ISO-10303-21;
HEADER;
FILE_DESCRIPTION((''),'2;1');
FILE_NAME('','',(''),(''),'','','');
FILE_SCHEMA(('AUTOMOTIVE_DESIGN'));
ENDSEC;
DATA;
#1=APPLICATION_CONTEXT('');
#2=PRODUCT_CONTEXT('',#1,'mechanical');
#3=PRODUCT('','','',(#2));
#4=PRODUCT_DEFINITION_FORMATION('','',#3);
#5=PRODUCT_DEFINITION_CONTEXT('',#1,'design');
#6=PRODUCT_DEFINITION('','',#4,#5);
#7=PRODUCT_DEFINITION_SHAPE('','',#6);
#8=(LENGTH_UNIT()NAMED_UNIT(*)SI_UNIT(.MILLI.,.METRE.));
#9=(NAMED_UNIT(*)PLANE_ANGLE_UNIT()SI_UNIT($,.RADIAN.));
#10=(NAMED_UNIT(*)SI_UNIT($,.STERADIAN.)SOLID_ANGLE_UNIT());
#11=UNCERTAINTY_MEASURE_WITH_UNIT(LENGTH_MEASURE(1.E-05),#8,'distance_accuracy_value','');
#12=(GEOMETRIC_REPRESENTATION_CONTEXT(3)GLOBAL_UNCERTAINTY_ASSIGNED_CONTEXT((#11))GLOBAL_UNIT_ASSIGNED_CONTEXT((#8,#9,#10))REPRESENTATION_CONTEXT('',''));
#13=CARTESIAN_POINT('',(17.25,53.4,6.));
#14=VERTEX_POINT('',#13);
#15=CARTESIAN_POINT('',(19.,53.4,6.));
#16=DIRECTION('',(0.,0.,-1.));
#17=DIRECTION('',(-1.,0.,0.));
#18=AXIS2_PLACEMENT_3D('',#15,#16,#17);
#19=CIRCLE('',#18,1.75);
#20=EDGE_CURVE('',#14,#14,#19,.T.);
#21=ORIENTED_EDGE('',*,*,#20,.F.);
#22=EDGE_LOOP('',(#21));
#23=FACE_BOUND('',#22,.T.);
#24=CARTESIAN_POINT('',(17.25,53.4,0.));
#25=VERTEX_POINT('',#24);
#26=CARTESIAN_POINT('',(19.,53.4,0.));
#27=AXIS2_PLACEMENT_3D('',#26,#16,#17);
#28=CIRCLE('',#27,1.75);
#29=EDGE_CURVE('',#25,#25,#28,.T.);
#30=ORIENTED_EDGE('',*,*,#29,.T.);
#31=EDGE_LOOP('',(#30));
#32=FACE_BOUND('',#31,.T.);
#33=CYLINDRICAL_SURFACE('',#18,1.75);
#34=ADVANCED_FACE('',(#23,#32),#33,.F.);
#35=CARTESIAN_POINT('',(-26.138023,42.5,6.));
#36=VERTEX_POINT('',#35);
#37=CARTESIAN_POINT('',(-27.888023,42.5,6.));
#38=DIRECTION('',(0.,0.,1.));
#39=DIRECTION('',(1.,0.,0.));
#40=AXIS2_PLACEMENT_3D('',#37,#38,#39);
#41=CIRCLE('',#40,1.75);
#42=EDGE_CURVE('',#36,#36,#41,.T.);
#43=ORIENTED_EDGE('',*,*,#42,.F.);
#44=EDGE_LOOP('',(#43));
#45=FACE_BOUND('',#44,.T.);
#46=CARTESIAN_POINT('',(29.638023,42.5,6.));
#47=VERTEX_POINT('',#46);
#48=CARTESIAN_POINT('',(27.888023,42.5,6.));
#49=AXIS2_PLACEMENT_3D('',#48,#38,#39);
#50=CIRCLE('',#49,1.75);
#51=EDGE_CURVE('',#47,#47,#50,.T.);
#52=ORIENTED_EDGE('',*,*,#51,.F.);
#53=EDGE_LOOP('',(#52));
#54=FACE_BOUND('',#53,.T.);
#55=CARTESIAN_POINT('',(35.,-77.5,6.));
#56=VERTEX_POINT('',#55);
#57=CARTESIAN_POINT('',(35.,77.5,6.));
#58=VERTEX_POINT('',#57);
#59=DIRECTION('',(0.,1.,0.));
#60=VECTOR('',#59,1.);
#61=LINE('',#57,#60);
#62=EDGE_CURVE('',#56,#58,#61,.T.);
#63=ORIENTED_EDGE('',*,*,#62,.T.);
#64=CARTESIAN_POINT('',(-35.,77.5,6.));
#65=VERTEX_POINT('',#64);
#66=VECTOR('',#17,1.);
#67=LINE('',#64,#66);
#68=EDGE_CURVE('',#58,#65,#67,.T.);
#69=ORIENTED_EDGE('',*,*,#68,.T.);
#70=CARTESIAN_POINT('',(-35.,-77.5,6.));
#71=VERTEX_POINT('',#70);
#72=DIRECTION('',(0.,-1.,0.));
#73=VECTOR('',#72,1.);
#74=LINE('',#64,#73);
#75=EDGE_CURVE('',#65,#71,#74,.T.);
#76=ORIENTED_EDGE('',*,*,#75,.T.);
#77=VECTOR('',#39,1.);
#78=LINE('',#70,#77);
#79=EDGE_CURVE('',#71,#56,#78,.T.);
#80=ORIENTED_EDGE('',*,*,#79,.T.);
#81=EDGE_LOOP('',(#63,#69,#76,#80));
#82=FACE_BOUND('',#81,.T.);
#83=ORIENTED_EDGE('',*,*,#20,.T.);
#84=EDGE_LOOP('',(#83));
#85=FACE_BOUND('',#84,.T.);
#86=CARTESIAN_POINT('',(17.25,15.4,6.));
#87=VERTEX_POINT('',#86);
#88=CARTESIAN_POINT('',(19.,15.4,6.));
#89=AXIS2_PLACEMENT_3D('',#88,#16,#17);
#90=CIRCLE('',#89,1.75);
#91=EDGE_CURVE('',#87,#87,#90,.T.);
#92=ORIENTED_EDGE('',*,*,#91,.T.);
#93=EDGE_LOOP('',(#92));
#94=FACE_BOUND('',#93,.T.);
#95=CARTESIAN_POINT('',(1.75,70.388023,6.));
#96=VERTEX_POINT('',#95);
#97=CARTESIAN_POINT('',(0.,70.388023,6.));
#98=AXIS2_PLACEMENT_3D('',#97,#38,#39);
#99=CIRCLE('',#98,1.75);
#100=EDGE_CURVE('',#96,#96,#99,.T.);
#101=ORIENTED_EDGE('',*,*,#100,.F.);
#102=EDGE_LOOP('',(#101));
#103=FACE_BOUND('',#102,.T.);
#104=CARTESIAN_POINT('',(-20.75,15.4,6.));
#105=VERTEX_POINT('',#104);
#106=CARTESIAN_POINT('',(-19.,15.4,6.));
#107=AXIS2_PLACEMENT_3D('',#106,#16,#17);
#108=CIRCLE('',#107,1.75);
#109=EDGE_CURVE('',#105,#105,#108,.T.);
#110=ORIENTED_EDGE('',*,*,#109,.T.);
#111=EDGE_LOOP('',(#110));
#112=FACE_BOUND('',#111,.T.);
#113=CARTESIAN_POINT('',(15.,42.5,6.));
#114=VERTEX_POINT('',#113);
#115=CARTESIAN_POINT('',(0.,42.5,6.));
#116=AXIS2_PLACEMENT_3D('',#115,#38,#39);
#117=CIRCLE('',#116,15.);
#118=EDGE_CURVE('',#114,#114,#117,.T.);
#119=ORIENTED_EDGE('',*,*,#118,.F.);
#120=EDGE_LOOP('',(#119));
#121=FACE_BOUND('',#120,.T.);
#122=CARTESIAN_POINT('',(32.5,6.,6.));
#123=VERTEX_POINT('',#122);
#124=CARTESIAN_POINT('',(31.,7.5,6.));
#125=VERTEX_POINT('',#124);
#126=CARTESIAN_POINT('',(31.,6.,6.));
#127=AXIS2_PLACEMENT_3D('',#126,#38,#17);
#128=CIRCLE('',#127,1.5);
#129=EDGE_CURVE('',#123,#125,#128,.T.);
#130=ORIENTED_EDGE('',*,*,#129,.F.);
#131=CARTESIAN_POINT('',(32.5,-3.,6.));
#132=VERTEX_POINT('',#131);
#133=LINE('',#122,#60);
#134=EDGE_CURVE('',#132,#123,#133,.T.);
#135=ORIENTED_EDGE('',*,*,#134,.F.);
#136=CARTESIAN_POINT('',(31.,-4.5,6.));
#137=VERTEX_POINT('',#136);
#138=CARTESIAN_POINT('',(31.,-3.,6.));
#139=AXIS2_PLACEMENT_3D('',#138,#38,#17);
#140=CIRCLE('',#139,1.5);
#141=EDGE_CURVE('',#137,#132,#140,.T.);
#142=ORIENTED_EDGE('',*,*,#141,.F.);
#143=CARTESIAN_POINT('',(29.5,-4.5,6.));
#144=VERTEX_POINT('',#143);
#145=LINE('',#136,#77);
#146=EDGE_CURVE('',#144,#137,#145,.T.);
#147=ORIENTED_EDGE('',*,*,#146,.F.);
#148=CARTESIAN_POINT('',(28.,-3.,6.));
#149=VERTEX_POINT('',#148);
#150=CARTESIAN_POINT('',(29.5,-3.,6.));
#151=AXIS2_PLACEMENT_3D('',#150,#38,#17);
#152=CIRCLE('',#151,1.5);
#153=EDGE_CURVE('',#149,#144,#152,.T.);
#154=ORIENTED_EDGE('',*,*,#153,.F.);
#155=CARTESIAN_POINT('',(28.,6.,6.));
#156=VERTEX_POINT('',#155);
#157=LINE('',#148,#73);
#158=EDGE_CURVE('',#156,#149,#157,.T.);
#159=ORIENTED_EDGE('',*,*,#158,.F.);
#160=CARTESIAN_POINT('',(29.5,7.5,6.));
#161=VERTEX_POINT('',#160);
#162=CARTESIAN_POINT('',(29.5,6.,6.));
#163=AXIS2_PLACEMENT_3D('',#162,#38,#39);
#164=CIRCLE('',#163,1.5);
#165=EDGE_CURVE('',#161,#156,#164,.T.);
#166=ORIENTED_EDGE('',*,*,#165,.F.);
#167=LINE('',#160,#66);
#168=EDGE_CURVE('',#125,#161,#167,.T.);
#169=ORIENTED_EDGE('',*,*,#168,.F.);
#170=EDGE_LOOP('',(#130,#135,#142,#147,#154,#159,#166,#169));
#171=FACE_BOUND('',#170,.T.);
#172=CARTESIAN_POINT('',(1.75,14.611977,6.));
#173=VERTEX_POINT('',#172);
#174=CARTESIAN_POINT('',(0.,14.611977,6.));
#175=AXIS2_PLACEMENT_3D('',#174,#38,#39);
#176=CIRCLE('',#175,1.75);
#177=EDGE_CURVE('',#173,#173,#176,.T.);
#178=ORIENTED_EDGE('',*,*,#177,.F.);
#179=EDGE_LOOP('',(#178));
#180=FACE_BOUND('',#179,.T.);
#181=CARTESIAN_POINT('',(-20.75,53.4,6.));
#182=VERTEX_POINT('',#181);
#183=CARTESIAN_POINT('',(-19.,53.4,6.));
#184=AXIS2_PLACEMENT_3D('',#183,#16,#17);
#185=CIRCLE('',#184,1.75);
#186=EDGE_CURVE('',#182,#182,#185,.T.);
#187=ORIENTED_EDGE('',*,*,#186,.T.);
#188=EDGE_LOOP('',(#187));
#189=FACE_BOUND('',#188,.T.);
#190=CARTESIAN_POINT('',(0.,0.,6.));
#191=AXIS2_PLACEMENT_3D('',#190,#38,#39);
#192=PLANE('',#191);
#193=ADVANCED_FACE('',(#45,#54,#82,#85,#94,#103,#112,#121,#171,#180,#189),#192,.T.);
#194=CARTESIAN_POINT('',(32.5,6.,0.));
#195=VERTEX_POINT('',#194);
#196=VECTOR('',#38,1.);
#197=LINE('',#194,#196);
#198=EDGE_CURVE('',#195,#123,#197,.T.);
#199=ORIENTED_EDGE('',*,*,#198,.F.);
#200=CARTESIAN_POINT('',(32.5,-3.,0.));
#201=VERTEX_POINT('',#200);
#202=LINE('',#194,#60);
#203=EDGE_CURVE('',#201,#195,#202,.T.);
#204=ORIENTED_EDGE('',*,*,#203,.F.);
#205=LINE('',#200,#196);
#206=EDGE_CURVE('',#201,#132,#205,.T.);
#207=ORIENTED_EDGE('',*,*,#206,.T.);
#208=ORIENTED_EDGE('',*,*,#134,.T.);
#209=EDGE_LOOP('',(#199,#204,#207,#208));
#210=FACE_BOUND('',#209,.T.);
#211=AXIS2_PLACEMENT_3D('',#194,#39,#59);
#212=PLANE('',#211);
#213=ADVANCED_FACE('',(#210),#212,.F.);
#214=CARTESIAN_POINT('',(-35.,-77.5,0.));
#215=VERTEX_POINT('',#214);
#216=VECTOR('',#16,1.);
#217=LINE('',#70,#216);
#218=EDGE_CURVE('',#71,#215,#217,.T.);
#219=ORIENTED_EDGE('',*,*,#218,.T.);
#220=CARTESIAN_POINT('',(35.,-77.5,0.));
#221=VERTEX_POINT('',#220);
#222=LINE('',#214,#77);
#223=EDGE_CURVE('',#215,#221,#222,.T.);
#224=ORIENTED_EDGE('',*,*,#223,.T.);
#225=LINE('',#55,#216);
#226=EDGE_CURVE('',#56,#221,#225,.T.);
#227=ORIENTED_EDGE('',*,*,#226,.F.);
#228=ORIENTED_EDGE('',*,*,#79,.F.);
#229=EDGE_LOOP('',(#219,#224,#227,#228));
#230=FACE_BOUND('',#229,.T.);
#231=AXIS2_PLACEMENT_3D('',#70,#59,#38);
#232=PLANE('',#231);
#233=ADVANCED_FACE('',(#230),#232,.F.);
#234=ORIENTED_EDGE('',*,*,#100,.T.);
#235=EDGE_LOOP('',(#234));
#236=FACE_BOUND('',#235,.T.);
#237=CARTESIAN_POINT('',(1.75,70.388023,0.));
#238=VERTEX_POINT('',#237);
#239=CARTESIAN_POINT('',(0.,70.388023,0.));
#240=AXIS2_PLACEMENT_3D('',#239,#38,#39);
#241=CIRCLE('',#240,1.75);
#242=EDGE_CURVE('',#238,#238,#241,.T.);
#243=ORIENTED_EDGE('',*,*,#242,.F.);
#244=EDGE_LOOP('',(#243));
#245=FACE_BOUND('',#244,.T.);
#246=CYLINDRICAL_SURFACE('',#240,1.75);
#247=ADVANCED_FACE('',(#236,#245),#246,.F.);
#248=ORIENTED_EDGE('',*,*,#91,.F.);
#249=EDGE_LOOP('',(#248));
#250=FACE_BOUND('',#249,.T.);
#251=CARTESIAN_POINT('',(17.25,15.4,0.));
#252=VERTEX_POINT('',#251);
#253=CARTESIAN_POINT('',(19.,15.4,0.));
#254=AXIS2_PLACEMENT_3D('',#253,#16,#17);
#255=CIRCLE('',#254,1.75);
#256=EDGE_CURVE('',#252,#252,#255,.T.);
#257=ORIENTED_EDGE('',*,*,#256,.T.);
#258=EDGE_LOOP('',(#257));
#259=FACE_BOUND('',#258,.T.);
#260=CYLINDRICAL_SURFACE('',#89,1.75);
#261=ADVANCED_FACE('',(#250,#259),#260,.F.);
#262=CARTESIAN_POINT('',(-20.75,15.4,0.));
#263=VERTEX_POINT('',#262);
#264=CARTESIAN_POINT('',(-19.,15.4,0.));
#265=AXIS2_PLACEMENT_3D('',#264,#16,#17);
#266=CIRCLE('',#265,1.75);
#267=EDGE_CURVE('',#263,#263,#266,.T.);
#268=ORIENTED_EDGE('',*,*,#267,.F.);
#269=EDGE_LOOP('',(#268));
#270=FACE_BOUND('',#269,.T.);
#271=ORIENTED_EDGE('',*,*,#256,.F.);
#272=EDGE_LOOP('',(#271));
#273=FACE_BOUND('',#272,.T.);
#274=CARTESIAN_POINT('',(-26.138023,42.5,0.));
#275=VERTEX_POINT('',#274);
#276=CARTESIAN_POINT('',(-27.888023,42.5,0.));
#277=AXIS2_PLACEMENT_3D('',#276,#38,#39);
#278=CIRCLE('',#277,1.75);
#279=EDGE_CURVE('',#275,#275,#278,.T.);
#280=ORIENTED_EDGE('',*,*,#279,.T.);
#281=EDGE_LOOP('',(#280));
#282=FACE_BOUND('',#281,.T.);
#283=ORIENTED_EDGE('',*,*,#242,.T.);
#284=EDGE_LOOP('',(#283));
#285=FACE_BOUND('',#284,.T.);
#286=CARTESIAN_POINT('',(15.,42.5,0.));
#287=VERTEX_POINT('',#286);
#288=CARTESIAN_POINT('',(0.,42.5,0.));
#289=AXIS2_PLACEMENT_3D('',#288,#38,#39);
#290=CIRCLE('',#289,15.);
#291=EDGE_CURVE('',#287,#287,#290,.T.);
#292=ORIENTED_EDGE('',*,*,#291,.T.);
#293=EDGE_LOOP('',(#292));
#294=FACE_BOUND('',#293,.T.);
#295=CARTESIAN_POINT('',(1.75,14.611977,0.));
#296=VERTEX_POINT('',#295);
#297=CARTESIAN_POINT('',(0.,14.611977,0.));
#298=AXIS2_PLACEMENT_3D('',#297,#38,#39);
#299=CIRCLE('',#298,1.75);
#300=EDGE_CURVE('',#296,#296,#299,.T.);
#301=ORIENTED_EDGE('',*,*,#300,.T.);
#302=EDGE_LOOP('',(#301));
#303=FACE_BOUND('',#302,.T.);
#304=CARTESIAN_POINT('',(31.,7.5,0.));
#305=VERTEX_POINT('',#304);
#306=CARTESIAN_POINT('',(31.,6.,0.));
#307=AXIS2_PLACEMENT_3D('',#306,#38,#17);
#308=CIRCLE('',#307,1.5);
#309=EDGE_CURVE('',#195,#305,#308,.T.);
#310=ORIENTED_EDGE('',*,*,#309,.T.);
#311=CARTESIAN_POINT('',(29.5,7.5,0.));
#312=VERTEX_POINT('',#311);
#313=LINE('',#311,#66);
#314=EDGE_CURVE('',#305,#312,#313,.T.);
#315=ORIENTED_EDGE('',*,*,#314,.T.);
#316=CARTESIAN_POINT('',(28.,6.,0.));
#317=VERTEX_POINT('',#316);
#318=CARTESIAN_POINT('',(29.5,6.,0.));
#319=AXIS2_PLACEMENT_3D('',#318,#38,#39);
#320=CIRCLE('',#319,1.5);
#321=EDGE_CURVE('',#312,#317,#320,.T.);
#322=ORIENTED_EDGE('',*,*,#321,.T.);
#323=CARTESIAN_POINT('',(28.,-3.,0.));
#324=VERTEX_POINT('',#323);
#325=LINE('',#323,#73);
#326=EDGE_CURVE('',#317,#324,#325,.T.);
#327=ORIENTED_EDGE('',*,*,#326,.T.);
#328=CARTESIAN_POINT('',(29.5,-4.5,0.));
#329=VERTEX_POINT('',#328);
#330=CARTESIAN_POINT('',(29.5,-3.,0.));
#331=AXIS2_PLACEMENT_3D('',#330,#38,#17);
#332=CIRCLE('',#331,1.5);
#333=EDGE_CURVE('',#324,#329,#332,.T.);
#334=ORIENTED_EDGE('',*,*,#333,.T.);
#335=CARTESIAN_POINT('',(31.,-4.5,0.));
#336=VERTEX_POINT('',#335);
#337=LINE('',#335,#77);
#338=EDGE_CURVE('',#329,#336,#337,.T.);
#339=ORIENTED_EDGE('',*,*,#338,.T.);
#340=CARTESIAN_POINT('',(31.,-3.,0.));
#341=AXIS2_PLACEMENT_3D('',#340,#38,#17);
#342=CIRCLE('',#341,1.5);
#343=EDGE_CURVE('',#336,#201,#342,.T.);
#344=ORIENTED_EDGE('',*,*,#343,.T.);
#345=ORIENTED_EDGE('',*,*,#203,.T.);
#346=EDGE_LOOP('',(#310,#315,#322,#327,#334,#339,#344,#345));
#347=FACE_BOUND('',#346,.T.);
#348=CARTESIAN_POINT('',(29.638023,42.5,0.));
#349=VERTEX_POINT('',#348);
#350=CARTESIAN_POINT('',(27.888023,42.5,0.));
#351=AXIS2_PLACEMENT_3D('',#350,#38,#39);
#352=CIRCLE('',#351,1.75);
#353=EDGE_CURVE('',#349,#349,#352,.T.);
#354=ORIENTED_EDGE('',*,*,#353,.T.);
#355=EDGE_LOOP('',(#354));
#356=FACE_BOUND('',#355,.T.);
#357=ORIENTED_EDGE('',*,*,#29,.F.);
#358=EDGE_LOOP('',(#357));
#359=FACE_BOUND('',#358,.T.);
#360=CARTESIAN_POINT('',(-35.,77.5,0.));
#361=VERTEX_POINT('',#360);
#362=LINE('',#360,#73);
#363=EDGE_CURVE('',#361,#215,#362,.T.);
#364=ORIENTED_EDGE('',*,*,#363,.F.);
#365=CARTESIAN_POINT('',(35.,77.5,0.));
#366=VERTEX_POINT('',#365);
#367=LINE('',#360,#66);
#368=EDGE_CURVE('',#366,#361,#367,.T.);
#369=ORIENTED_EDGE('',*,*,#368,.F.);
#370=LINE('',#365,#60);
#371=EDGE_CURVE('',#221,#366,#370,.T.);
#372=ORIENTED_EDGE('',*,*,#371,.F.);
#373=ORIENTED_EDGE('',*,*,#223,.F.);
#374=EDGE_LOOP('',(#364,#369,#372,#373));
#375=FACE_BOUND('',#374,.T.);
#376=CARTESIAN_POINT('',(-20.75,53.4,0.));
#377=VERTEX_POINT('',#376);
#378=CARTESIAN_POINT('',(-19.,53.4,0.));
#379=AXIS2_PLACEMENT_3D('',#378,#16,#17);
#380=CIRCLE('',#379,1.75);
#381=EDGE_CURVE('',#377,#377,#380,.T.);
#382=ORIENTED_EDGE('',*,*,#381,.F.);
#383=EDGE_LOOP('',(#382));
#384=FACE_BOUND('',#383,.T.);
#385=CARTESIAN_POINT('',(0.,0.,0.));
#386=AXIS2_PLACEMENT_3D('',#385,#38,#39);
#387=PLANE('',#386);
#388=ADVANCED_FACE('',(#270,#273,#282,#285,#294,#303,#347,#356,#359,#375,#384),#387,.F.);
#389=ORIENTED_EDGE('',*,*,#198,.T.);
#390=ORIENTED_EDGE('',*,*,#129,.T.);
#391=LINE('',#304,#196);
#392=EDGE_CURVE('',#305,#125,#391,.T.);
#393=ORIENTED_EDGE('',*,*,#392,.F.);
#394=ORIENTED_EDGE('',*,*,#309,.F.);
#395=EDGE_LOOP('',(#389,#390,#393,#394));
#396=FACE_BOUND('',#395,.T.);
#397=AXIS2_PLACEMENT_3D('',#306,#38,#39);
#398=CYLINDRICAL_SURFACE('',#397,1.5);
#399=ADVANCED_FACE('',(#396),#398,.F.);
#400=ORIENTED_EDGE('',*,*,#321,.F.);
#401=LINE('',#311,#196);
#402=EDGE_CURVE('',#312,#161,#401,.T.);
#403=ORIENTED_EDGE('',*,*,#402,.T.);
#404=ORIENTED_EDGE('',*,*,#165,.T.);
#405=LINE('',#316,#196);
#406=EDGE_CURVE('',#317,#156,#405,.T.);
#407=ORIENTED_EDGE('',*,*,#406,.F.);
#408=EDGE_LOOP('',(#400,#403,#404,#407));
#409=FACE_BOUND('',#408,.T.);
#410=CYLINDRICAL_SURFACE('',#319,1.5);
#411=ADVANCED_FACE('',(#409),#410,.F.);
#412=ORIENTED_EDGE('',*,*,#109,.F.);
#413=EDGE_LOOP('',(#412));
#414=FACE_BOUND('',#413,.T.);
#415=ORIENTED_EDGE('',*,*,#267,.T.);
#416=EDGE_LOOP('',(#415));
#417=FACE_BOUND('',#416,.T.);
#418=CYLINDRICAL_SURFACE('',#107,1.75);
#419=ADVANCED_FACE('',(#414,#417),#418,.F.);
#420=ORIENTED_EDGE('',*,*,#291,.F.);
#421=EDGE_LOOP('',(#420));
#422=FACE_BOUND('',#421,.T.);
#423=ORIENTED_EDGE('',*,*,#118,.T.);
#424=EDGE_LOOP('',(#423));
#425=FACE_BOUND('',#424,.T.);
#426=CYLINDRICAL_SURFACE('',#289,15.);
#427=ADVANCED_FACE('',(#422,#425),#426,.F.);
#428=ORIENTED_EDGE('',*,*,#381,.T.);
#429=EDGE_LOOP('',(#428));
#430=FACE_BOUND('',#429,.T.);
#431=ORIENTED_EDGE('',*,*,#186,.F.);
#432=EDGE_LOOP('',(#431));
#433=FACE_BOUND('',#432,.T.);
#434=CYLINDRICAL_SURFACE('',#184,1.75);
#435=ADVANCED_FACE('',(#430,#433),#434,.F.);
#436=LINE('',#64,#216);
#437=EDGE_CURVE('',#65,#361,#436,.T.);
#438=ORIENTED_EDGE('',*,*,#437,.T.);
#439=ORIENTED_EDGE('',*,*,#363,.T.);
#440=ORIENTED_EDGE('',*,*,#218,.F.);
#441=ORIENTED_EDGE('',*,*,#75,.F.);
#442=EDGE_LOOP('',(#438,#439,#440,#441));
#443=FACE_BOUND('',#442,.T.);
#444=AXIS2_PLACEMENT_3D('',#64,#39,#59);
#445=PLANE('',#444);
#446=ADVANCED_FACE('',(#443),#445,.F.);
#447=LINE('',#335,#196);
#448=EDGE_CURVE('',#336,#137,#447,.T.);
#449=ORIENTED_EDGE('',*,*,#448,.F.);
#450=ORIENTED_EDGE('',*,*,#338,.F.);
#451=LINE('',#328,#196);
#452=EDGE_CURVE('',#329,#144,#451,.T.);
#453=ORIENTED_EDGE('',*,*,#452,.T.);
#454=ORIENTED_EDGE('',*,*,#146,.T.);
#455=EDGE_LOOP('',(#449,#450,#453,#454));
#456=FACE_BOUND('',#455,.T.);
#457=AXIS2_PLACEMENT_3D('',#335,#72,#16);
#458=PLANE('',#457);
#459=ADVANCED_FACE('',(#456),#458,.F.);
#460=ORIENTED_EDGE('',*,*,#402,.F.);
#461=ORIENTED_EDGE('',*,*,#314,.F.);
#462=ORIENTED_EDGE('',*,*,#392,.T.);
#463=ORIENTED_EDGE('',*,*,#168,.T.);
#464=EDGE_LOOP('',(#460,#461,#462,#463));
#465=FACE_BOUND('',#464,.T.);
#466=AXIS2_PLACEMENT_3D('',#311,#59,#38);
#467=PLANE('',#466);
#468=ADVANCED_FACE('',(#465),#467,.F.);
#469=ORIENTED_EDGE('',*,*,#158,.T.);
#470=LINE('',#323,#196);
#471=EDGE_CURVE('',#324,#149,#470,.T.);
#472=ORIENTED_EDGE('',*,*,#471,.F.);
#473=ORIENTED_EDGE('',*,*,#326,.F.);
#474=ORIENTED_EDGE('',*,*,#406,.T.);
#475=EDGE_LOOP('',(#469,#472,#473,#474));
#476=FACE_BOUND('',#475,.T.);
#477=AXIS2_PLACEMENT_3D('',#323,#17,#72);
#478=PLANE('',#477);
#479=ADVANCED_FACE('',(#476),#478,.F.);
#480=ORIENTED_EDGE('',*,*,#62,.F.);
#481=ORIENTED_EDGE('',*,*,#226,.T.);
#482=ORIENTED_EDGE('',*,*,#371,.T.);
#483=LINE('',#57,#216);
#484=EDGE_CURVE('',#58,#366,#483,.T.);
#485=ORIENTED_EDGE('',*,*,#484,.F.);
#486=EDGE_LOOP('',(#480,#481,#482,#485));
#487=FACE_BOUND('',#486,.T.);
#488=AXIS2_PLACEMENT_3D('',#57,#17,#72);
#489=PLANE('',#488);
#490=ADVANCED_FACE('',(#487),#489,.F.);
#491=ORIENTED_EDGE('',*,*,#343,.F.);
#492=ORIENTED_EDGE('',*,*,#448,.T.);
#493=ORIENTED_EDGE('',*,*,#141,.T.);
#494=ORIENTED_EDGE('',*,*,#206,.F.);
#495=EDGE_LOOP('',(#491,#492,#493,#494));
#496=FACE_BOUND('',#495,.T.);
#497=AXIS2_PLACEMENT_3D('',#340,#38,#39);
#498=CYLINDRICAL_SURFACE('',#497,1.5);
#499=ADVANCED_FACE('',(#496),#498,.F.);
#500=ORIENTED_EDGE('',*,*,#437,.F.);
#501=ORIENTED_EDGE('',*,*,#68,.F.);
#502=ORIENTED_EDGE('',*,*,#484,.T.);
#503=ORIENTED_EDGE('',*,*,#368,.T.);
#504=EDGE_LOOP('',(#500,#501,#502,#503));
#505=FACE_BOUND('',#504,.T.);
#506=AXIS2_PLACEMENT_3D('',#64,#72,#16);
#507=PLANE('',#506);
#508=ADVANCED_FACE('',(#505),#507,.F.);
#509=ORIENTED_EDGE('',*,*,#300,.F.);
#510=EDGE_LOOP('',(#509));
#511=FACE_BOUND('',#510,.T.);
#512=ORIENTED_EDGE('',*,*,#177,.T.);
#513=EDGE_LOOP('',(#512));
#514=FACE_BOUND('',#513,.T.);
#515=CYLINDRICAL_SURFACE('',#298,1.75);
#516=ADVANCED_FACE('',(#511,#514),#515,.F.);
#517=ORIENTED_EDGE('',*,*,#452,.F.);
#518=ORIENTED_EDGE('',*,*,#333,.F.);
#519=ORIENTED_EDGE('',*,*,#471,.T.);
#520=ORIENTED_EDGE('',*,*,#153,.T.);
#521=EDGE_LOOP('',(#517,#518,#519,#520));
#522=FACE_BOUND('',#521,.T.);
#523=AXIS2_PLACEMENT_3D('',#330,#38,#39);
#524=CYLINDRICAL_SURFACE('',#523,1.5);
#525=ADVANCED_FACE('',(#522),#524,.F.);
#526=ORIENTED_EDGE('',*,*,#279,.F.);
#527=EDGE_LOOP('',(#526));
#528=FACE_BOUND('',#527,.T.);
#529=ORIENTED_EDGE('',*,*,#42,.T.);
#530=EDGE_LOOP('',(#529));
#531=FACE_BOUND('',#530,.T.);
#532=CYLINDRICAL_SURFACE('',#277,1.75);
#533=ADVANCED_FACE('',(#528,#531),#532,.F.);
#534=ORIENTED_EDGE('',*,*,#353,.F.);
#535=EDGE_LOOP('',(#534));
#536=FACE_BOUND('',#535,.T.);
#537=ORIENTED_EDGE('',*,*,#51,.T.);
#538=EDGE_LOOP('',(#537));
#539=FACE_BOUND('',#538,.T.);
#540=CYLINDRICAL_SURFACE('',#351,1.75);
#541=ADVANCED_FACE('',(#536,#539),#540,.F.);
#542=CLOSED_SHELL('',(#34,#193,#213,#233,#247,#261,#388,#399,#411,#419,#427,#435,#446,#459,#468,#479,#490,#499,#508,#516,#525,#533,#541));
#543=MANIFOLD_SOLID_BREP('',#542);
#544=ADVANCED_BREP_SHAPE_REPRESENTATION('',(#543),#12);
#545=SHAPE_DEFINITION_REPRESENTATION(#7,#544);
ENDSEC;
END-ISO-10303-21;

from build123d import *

# Parameters (mm, degrees)
SKETCH1_W           = 70
SKETCH1_H           = 155
BOSS_EXTRUDE1_DEPTH = 6
SKETCH3_R           = 15
CUT_EXTRUDE1_DEPTH  = 86.248167136
SKETCH4_R           = 1.75
CUT_EXTRUDE2_DEPTH  = 86.248167136
CUT_EXTRUDE3_DEPTH  = 86.248167136
SKETCH8_R           = 1.75
CUT_EXTRUDE6_DEPTH  = 86.248167136


with BuildPart() as part:
    # Sketch1 → Boss-Extrude1 (new body)
    with BuildSketch(Plane.XY):
        Rectangle(SKETCH1_W, SKETCH1_H)
    extrude(amount=BOSS_EXTRUDE1_DEPTH)

    # Sketch3 → Cut-Extrude1 (cut, through all)
    with BuildSketch(Plane.XY.offset(6)):
        with Locations((0, 42.5)):
            Circle(SKETCH3_R)
    extrude(amount=-CUT_EXTRUDE1_DEPTH, mode=Mode.SUBTRACT)

    # Sketch4 → Cut-Extrude2 (cut, through all)
    with BuildSketch(Plane(origin=(0, 0, 0), x_dir=(-1, 0, 0), z_dir=(0, 0, -1))):
        with Locations((-19, 53.4)):
            Circle(SKETCH4_R)
        with Locations((19, 53.4)):
            Circle(SKETCH4_R)
        with Locations((-19, 15.4)):
            Circle(SKETCH4_R)
        with Locations((19, 15.4)):
            Circle(SKETCH4_R)
    extrude(amount=-CUT_EXTRUDE2_DEPTH, mode=Mode.SUBTRACT)

    # Sketch5 → Cut-Extrude3 (cut, through all)
    with BuildSketch(Plane.XY.offset(6)):
        with BuildLine():
            Line((29.5, 7.5), (31, 7.5))
            ThreePointArc((31, 7.5), (32.060660172, 7.060660172), (32.5, 6))
            Line((32.5, 6), (32.5, -3))
            ThreePointArc((32.5, -3), (32.060660172, -4.060660172), (31, -4.5))
            Line((31, -4.5), (29.5, -4.5))
            ThreePointArc((29.5, -4.5), (28.439339828, -4.060660172), (28, -3))
            Line((28, -3), (28, 6))
            ThreePointArc((28, 6), (28.439339828, 7.060660172), (29.5, 7.5))
        make_face()
    extrude(amount=-CUT_EXTRUDE3_DEPTH, mode=Mode.SUBTRACT)

    # Sketch8 → Cut-Extrude6 (cut, through all)
    with BuildSketch(Plane.XY.offset(6)):
        with Locations((-27.888022688, 42.5)):
            Circle(SKETCH8_R)
        with Locations((0, 14.611977312)):
            Circle(SKETCH8_R)
        with Locations((27.888022688, 42.5)):
            Circle(SKETCH8_R)
        with Locations((0, 70.388022688)):
            Circle(SKETCH8_R)
    extrude(amount=-CUT_EXTRUDE6_DEPTH, mode=Mode.SUBTRACT)


solid = part.part
